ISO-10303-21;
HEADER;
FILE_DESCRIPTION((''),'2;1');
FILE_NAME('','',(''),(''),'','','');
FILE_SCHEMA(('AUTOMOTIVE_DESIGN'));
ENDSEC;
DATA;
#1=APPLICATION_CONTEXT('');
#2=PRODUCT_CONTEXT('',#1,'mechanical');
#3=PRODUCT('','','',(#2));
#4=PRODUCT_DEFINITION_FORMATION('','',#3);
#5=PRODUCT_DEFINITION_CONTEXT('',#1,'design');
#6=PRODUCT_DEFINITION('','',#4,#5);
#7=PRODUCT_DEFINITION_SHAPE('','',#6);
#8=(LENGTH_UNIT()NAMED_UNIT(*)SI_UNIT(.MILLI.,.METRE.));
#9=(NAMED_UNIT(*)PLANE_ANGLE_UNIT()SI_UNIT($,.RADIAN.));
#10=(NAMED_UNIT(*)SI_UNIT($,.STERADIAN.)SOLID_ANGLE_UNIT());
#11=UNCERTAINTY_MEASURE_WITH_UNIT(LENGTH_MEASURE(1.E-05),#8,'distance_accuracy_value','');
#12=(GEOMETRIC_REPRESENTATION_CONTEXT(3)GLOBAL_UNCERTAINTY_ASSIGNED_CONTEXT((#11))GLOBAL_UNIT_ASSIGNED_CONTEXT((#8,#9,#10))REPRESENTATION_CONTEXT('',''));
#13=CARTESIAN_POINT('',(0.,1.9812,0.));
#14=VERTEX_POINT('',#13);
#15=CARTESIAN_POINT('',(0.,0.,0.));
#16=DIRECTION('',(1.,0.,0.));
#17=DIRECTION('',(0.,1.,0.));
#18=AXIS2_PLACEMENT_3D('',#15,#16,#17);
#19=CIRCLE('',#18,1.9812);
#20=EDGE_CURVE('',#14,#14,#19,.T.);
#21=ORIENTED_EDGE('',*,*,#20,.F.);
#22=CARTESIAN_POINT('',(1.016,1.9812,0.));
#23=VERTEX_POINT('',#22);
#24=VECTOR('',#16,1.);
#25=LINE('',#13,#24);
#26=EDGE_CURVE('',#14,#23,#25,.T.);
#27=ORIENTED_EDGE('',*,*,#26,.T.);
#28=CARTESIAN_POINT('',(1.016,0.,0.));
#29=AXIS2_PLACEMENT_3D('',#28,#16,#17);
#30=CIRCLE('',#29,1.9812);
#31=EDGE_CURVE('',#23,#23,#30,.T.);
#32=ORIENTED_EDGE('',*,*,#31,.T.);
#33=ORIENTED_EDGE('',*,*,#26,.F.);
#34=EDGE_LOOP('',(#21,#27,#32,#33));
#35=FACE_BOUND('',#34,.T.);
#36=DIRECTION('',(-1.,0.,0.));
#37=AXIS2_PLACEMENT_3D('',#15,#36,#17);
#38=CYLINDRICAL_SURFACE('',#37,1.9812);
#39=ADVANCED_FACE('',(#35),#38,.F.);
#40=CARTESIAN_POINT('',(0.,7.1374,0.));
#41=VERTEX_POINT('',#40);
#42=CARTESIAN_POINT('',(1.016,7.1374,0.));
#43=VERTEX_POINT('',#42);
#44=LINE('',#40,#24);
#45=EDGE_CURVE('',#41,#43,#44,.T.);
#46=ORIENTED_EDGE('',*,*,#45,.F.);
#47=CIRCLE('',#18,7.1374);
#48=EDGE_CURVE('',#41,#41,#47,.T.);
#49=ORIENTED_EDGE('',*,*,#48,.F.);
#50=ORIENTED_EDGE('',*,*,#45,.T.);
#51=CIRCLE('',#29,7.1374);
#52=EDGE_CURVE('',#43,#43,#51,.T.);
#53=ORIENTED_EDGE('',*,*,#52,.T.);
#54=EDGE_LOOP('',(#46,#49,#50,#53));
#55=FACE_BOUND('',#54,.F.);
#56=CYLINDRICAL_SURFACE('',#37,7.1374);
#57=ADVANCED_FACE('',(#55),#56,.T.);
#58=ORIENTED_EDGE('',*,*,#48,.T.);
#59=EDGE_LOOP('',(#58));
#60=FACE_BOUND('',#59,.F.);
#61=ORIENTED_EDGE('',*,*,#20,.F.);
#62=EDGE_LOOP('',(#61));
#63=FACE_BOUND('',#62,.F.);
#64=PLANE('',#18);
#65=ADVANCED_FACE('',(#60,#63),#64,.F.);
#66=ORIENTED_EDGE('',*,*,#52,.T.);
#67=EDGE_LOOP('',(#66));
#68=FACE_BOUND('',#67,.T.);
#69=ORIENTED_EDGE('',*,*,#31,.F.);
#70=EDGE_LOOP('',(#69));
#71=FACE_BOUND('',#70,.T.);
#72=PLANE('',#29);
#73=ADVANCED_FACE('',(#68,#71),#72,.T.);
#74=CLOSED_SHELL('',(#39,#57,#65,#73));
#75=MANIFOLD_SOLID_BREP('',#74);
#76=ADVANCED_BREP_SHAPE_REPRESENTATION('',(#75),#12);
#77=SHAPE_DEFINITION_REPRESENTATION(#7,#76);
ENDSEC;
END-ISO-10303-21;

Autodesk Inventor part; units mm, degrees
ref_plane "YZ Plane" through (0, 0, 0) normal (1, 0, 0) x (0, 1, 0)
ref_plane "XZ Plane" through (0, 0, 0) normal (0, 1, 0) x (-1, 0, 0)
sketch "Sketch" plane through (0, 0, 0) normal (1, 0, 0) x (0, 1, 0)
  circle A0 centre (0, 0) radius 7.1374
  circle A1 centre (0, 0) radius 1.9812
  dimension "d0" = 3.9624
  dimension "d1" = 14.2748
extrude "Body" add sketch "Sketch" along normal blind 1.016
ref_plane "Work Plane1" through (0, 0, 0) normal (0, 0, 1) x (1, 0, 0)
equation "\"d0\" = SD1"
equation "\"d1\" = SD2"
equation "\"d2\" = SD"
equation "\"SD1\" = 3.9624"
equation "\"SD2\" = 14.2748"
equation "\"SD\" = 1.016"
equation "\"NND\" = 3.5052"
properties part number "ANSI B18.22.1 - No. 6 - wide - Type B" material "Steel, Mild"
